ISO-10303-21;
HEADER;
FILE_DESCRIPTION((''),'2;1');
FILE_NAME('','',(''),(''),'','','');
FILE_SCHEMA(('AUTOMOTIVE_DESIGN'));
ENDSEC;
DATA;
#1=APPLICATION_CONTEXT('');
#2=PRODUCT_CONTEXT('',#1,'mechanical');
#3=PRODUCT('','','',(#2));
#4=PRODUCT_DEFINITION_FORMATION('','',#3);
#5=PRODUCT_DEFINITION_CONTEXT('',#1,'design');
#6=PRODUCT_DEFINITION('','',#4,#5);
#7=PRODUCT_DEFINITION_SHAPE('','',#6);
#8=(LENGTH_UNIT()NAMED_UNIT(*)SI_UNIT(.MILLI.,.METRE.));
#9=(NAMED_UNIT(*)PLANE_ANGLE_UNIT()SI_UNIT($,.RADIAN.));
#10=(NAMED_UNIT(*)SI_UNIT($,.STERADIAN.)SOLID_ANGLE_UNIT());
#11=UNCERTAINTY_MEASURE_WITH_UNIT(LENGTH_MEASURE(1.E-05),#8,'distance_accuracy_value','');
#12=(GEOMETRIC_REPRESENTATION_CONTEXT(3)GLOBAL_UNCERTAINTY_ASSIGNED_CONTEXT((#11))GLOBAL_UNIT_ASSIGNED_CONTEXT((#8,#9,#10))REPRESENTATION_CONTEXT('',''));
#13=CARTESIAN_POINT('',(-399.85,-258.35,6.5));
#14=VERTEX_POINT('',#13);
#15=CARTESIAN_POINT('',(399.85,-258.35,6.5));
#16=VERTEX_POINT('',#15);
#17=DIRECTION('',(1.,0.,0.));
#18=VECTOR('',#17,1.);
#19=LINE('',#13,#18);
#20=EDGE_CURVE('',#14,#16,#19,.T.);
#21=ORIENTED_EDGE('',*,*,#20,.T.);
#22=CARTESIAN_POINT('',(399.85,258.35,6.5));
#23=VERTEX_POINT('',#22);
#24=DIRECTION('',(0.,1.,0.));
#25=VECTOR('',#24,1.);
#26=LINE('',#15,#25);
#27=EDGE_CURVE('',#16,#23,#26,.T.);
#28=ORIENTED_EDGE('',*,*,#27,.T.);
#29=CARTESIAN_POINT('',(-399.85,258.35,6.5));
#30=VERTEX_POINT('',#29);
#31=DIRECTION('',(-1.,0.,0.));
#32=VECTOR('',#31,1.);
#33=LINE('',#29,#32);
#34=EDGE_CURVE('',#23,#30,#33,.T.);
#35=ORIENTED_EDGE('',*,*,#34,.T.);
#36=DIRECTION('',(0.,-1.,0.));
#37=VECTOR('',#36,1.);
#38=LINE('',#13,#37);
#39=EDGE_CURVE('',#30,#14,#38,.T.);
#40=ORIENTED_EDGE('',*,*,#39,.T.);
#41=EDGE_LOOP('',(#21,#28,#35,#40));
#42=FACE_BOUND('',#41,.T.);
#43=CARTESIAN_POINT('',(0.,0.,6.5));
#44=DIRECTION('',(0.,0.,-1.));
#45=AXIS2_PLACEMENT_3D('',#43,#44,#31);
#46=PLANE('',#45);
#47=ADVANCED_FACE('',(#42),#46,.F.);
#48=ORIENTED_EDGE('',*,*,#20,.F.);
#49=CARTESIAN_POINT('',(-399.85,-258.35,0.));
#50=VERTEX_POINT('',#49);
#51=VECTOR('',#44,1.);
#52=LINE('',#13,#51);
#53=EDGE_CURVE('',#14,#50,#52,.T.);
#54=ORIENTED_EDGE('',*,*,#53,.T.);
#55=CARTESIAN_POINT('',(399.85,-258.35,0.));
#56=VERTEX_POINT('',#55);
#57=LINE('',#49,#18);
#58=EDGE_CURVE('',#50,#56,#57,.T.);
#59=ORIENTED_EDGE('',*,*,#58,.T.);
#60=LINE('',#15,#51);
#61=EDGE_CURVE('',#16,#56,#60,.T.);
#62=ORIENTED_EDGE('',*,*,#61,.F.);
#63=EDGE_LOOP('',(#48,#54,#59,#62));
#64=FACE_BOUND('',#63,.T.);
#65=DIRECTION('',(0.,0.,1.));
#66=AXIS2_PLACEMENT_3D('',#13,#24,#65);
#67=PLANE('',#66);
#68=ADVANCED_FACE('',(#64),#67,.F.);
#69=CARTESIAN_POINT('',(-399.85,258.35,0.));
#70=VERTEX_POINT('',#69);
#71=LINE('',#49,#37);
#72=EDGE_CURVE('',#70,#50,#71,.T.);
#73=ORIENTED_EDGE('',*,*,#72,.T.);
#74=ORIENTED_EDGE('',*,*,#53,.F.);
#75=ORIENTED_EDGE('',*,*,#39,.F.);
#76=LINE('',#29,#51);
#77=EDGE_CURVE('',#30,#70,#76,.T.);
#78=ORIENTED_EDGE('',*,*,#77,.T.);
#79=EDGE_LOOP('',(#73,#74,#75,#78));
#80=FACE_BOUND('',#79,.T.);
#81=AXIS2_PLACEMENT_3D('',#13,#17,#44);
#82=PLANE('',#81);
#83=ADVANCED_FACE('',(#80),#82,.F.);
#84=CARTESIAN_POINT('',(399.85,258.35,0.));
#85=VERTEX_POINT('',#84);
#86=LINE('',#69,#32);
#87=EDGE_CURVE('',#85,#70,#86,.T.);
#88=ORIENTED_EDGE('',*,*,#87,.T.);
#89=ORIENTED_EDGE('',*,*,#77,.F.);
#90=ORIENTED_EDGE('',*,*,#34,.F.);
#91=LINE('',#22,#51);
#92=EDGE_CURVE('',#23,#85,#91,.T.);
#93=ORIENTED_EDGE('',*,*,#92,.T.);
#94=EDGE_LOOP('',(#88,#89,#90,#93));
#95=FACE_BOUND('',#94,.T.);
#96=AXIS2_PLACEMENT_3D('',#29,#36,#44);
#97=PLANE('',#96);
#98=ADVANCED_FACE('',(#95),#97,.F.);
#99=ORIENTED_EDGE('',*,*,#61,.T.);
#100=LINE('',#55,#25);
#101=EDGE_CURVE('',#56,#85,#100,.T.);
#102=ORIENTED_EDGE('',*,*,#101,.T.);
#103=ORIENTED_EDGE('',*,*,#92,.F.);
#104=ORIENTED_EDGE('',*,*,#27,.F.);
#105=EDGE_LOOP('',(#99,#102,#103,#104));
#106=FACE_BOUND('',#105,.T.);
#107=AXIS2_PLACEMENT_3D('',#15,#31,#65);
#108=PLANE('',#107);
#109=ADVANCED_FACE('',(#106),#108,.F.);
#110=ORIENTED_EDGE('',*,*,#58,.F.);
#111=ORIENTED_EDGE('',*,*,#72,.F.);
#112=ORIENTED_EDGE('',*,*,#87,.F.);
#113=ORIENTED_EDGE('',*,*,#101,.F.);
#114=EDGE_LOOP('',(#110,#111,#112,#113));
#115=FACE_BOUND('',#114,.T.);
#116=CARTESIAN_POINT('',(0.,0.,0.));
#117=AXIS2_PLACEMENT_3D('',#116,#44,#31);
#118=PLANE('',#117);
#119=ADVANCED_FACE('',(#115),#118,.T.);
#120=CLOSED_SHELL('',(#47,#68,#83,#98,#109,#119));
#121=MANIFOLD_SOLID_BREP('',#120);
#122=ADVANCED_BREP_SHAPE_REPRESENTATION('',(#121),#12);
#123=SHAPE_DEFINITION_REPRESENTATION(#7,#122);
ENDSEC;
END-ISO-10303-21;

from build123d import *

# Parameters (mm, degrees)
ESQUISSE1_W        = 799.7
ESQUISSE1_H        = 516.7
BOSS_EXTRU_1_DEPTH = 6.5


with BuildPart() as part:
    # Esquisse1 → Boss.-Extru.1 (new body)
    with BuildSketch(Plane.XY):
        Rectangle(ESQUISSE1_W, ESQUISSE1_H)
    extrude(amount=BOSS_EXTRU_1_DEPTH)


solid = part.part
